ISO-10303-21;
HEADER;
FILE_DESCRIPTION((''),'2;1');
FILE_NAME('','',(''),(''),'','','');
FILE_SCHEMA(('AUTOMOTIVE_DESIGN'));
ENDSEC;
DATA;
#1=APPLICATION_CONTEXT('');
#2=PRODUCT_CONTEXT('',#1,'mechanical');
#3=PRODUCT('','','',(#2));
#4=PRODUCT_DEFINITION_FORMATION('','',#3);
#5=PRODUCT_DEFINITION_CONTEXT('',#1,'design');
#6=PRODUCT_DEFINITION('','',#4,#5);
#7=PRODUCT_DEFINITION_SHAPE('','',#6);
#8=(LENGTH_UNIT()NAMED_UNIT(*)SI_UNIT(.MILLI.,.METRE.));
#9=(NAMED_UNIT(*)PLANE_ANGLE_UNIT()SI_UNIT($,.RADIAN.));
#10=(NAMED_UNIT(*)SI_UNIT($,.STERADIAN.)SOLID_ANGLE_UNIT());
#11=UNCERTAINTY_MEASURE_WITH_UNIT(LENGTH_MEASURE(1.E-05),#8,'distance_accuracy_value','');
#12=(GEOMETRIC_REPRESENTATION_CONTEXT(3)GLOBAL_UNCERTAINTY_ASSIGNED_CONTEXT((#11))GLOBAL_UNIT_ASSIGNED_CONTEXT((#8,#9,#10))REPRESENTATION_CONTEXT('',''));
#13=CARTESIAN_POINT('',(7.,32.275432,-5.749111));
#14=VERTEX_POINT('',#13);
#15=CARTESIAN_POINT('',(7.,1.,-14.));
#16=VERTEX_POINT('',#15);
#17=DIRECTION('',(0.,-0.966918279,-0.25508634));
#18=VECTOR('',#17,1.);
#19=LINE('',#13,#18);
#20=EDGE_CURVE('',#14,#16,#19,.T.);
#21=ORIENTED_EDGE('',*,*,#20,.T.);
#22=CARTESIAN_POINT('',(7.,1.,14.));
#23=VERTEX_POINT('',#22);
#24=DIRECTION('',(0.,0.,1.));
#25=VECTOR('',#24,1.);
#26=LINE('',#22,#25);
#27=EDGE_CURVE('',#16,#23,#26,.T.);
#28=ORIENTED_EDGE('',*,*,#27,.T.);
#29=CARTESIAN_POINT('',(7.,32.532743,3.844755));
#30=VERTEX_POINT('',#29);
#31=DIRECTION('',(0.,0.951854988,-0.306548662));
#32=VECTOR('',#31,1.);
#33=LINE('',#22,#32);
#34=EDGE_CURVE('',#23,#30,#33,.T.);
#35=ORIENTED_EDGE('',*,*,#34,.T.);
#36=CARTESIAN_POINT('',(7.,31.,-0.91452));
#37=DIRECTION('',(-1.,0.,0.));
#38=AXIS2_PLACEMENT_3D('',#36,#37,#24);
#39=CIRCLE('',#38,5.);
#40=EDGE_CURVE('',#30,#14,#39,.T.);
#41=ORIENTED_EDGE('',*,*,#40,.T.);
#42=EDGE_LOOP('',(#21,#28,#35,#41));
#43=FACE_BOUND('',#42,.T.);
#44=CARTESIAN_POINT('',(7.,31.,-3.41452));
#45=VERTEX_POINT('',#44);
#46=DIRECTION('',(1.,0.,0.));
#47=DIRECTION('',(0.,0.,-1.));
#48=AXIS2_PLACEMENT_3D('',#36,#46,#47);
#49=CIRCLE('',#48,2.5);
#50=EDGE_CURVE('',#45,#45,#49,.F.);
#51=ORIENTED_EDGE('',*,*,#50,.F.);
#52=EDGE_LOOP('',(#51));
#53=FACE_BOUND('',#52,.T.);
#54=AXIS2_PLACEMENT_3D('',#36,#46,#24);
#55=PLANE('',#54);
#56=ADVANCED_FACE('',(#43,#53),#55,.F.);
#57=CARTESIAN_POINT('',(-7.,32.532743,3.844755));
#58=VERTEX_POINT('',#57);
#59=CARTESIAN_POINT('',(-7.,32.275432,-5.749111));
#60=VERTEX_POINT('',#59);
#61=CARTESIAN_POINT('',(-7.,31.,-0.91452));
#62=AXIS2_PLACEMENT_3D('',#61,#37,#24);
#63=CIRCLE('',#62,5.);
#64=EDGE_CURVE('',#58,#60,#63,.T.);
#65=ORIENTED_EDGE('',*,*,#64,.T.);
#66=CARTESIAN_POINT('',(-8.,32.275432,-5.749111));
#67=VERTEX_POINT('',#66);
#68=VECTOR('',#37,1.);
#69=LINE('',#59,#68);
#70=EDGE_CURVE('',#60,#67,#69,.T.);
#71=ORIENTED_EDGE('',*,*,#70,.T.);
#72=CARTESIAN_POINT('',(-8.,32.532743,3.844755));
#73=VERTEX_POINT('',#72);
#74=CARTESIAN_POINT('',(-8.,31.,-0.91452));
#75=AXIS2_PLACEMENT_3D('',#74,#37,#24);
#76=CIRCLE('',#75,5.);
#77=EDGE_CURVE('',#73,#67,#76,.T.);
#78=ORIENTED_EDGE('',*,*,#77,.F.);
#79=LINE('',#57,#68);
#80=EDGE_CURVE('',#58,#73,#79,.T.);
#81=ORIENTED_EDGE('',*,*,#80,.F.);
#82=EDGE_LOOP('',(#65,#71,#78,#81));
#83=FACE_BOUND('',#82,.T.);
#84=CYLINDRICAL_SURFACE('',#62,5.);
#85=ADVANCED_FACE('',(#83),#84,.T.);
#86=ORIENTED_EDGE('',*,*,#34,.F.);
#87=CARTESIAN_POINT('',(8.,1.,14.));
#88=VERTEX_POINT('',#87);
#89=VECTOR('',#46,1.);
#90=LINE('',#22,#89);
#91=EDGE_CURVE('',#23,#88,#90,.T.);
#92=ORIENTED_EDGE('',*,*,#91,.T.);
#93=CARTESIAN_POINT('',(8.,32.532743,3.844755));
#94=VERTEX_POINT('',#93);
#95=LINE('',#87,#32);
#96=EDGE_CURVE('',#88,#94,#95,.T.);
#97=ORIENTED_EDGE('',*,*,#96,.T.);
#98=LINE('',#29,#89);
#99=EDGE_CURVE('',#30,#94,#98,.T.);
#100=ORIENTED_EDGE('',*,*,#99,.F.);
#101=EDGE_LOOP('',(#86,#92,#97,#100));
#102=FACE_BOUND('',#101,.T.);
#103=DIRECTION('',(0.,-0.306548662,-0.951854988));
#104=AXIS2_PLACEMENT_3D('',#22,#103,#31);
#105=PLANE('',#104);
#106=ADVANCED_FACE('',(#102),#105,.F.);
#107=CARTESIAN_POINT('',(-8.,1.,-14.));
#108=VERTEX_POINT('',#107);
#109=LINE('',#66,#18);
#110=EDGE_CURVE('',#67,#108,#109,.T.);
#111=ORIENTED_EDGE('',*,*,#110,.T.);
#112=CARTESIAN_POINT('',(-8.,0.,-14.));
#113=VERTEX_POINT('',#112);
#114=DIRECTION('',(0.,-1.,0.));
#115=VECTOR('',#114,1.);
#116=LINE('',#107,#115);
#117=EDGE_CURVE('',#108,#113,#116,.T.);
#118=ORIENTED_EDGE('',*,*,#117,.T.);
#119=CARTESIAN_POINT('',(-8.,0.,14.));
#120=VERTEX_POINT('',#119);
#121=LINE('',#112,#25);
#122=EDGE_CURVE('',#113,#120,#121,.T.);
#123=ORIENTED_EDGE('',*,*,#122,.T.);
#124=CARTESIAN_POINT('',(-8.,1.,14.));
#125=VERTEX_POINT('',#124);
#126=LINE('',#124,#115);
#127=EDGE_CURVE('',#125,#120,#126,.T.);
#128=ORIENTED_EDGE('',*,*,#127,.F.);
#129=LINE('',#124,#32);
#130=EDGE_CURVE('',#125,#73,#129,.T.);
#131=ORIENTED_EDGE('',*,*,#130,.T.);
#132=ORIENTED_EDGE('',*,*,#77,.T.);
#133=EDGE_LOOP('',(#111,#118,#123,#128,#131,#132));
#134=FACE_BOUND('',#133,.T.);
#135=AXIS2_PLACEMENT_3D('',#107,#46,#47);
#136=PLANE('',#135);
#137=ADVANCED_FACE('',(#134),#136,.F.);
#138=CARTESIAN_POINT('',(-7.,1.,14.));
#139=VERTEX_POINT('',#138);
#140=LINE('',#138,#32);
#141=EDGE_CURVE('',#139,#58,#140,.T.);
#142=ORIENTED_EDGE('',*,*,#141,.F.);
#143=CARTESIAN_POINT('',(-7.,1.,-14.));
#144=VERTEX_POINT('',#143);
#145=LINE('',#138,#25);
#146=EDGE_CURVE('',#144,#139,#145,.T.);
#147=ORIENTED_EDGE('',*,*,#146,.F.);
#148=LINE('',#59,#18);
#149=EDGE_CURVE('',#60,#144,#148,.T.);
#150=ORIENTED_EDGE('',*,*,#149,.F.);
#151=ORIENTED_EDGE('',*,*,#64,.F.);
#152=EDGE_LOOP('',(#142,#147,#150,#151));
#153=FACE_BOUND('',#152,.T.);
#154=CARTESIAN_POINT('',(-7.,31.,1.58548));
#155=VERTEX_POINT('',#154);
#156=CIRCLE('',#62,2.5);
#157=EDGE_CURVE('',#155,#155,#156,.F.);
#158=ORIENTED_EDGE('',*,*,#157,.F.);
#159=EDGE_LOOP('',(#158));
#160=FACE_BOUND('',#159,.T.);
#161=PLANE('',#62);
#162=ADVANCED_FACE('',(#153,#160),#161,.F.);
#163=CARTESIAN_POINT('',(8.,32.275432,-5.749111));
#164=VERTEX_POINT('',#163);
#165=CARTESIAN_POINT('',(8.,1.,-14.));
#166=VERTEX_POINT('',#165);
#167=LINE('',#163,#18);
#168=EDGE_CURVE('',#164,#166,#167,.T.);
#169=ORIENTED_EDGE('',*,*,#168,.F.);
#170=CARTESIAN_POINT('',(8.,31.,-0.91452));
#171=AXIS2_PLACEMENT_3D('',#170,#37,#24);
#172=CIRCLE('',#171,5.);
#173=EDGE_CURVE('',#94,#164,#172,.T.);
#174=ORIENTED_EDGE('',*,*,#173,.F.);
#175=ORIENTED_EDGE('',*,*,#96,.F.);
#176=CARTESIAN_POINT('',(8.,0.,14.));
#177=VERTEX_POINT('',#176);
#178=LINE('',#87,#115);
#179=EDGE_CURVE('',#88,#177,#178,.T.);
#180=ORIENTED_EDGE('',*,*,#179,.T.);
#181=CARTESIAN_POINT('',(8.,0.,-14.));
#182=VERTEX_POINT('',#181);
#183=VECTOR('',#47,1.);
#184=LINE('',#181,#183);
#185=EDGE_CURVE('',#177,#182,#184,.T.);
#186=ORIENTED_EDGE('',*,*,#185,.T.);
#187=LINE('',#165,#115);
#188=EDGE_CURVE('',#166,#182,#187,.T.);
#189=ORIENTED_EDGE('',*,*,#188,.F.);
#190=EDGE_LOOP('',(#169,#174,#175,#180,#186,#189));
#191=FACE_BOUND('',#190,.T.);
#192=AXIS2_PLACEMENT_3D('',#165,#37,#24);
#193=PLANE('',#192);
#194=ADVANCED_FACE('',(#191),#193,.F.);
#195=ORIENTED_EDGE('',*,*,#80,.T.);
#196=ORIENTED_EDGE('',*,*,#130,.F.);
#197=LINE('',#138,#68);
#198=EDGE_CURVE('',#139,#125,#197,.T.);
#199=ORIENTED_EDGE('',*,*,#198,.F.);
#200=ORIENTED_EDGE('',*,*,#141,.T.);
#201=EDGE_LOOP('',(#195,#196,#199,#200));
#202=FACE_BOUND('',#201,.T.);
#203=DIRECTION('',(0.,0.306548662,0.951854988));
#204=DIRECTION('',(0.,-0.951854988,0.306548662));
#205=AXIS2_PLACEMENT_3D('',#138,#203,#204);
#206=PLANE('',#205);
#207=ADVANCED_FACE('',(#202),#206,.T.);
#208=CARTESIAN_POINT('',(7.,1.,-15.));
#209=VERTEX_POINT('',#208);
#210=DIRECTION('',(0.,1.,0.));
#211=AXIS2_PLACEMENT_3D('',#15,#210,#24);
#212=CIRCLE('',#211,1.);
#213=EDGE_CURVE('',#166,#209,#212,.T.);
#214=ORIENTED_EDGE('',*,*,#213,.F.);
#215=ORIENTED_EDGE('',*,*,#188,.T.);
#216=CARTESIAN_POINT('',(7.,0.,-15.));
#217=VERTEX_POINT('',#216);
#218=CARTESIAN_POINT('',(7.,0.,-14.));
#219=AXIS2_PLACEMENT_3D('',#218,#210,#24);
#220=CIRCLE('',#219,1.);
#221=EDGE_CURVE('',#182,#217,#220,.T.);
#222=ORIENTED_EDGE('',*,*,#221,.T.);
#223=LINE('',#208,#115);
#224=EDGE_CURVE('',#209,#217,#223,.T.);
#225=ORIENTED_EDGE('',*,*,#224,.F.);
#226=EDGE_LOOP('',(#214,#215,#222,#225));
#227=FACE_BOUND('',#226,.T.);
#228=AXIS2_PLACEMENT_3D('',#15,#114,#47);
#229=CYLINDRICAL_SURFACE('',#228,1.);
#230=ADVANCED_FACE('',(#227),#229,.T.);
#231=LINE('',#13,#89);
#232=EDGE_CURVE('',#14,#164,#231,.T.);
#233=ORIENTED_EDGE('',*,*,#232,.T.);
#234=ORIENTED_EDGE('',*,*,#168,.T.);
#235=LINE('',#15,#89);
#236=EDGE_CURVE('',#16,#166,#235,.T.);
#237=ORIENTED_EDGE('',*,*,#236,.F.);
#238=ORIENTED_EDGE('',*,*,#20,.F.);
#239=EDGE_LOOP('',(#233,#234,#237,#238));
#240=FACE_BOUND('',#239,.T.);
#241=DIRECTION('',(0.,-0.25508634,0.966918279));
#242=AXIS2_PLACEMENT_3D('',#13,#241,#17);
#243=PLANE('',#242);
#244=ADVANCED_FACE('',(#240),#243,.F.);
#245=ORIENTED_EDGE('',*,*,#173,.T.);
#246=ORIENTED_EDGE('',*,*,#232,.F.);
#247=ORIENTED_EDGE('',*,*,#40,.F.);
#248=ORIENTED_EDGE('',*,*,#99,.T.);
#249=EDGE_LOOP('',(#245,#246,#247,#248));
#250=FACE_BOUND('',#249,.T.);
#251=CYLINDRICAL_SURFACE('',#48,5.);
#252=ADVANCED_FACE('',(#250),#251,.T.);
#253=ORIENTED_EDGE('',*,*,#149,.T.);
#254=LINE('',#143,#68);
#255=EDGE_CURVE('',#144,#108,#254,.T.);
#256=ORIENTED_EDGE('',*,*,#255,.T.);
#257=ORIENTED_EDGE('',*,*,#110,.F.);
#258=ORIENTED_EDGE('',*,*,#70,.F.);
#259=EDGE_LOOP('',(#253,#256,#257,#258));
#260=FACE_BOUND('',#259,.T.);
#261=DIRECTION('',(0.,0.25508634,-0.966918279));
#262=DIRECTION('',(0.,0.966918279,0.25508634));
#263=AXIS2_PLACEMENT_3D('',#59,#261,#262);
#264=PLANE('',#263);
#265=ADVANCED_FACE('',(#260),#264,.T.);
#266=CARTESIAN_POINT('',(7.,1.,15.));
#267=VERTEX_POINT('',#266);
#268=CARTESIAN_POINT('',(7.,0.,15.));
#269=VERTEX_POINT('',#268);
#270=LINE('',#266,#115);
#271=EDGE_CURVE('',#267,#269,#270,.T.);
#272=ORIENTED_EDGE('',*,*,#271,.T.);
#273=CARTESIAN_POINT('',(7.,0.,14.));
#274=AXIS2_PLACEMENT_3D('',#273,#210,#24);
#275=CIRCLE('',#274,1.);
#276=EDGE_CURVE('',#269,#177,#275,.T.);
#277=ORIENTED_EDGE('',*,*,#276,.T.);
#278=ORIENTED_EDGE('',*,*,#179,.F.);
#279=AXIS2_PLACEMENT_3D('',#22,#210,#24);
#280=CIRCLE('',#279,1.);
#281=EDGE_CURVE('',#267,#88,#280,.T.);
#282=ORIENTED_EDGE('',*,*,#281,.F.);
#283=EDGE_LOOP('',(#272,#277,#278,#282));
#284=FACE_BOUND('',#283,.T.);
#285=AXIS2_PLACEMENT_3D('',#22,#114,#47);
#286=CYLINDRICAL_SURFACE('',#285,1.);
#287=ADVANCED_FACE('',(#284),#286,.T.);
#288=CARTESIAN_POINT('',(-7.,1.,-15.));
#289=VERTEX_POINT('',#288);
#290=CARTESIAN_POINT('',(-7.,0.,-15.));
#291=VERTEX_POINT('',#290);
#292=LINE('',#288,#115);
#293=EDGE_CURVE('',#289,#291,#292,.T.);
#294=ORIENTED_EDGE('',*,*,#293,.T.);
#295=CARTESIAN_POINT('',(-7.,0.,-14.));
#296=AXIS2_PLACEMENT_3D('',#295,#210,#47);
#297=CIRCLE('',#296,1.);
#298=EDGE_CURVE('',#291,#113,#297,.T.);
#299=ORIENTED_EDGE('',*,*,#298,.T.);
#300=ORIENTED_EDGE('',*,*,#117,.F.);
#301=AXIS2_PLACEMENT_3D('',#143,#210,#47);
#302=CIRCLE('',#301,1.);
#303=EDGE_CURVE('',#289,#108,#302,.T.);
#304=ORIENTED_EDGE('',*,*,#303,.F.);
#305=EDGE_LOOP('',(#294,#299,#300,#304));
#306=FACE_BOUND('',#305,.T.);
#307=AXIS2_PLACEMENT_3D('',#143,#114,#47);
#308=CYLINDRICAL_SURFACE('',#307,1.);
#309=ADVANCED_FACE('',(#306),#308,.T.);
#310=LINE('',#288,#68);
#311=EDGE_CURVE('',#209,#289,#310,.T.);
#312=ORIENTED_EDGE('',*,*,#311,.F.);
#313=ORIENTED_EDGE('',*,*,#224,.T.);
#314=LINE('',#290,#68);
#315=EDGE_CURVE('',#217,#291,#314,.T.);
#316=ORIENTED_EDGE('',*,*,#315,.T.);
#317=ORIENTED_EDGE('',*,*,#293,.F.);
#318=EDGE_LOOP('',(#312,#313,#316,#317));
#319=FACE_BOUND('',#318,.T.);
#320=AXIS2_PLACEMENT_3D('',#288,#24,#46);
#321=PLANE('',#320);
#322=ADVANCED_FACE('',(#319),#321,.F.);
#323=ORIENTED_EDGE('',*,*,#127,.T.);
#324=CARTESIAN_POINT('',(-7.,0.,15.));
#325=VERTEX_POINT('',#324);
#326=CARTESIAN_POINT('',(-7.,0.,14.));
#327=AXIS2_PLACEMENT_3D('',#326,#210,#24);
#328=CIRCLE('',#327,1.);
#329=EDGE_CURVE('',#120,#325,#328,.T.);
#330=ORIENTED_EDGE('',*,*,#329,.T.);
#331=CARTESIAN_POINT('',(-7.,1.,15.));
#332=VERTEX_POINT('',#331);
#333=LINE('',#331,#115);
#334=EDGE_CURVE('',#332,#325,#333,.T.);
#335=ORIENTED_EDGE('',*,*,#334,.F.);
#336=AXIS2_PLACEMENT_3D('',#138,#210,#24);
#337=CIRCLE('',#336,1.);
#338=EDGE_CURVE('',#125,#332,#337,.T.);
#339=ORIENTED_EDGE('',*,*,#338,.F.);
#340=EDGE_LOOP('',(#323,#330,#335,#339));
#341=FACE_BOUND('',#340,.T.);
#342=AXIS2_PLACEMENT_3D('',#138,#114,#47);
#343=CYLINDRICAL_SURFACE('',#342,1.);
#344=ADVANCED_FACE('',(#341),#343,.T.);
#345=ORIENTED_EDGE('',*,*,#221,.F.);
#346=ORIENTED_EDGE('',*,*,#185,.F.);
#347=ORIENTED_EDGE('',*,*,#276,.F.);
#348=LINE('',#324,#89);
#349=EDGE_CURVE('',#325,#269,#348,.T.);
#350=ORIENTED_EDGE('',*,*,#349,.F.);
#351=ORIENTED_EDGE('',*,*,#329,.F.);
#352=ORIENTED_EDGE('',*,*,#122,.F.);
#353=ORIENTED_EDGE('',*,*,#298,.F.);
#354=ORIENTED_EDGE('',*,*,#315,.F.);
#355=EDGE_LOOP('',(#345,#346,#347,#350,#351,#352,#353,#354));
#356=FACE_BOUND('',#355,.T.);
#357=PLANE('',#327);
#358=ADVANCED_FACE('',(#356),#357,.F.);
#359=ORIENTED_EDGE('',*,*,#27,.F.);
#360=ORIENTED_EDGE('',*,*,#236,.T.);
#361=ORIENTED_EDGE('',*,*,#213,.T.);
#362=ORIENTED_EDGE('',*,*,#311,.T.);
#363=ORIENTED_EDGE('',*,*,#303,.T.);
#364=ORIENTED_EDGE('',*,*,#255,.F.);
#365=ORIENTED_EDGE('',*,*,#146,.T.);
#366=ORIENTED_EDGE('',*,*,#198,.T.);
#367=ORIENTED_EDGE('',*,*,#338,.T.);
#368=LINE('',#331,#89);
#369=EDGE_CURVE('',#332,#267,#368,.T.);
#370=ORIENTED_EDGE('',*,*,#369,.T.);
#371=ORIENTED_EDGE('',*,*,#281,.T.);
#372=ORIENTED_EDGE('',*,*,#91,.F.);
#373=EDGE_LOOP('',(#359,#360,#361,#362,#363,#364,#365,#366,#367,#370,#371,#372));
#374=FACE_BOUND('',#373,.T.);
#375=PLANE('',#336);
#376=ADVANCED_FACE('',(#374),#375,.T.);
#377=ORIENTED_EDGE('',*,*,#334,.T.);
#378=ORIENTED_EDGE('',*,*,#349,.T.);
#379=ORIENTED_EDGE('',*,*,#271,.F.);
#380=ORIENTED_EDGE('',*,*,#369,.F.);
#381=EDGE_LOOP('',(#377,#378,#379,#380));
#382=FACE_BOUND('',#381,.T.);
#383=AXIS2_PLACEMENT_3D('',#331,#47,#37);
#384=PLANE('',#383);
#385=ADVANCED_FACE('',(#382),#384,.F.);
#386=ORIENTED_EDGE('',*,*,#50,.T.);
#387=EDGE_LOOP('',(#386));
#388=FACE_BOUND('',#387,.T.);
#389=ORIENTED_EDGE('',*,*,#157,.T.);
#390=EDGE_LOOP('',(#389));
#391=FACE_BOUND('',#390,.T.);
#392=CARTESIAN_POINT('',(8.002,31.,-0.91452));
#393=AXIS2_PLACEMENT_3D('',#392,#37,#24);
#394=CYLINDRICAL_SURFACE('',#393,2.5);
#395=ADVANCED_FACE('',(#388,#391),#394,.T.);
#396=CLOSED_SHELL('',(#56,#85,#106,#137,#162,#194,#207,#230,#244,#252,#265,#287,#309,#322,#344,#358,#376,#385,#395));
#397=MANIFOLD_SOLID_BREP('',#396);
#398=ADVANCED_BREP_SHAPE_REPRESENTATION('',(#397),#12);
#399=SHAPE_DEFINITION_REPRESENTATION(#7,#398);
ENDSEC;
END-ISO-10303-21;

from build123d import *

# Parameters (mm, degrees)
EXTRUDE_1_DEPTH = 1
EXTRUDE_2_DEPTH = 1
EXTRUDE_3_REACH = 17
SKETCH_3_R      = 2.5


with BuildPart() as part:
    # 草图1 → 凸台-拉伸1 (new body)
    with BuildSketch(Plane(origin=(0, 0, 0), x_dir=(1, 0, 0), z_dir=(0, 1, 0))):
        with BuildLine():
            Line((-7, 15), (7, 15))
            ThreePointArc((7, 15), (7.707106781, 14.707106781), (8, 14))
            Line((8, 14), (8, -14))
            ThreePointArc((8, -14), (7.707106781, -14.707106781), (7, -15))
            Line((7, -15), (-7, -15))
            ThreePointArc((-7, -15), (-7.707106781, -14.707106781), (-8, -14))
            Line((-8, -14), (-8, 14))
            ThreePointArc((-8, 14), (-7.707106781, 14.707106781), (-7, 15))
        make_face()
    extrude(amount=EXTRUDE_1_DEPTH)

    # 草图2 → 凸台-拉伸2 (add)
    with BuildSketch(Plane.ZY.offset(8)):
        with BuildLine():
            Line((14, 1), (3.844755362, 32.532743309))
            ThreePointArc((3.844755362, 32.532743309), (-1.048573514, 35.998202631), (-5.749110975, 32.275431702))
            Line((-5.749110975, 32.275431702), (-14, 1))
            Line((-14, 1), (14, 1))
        make_face()
    extrude_2 = extrude(amount=-EXTRUDE_2_DEPTH)

    # 镜向1: 凸台-拉伸2 across plane
    add(extrude_2.mirror(Plane(origin=(0, 0, 0), x_dir=(0, 0, 1), z_dir=(1, 0, 0))))

    # 草图3 → 凸台-拉伸3 (add, up to next)
    with BuildSketch(Plane(origin=(-7, 0, 0), x_dir=(0, 0, -1), z_dir=(1, 0, 0)), mode=Mode.PRIVATE) as extrude_3_sk1:
        with Locations((0.914519578, 31)):
            Circle(SKETCH_3_R)
    extrude_3_tool1 = extrude(extrude_3_sk1.sketch, amount=EXTRUDE_3_REACH, mode=Mode.PRIVATE) - part.part
    add(extrude_3_tool1.solids().sort_by_distance((-7, 31, -0.91452))[0])


solid = part.part
